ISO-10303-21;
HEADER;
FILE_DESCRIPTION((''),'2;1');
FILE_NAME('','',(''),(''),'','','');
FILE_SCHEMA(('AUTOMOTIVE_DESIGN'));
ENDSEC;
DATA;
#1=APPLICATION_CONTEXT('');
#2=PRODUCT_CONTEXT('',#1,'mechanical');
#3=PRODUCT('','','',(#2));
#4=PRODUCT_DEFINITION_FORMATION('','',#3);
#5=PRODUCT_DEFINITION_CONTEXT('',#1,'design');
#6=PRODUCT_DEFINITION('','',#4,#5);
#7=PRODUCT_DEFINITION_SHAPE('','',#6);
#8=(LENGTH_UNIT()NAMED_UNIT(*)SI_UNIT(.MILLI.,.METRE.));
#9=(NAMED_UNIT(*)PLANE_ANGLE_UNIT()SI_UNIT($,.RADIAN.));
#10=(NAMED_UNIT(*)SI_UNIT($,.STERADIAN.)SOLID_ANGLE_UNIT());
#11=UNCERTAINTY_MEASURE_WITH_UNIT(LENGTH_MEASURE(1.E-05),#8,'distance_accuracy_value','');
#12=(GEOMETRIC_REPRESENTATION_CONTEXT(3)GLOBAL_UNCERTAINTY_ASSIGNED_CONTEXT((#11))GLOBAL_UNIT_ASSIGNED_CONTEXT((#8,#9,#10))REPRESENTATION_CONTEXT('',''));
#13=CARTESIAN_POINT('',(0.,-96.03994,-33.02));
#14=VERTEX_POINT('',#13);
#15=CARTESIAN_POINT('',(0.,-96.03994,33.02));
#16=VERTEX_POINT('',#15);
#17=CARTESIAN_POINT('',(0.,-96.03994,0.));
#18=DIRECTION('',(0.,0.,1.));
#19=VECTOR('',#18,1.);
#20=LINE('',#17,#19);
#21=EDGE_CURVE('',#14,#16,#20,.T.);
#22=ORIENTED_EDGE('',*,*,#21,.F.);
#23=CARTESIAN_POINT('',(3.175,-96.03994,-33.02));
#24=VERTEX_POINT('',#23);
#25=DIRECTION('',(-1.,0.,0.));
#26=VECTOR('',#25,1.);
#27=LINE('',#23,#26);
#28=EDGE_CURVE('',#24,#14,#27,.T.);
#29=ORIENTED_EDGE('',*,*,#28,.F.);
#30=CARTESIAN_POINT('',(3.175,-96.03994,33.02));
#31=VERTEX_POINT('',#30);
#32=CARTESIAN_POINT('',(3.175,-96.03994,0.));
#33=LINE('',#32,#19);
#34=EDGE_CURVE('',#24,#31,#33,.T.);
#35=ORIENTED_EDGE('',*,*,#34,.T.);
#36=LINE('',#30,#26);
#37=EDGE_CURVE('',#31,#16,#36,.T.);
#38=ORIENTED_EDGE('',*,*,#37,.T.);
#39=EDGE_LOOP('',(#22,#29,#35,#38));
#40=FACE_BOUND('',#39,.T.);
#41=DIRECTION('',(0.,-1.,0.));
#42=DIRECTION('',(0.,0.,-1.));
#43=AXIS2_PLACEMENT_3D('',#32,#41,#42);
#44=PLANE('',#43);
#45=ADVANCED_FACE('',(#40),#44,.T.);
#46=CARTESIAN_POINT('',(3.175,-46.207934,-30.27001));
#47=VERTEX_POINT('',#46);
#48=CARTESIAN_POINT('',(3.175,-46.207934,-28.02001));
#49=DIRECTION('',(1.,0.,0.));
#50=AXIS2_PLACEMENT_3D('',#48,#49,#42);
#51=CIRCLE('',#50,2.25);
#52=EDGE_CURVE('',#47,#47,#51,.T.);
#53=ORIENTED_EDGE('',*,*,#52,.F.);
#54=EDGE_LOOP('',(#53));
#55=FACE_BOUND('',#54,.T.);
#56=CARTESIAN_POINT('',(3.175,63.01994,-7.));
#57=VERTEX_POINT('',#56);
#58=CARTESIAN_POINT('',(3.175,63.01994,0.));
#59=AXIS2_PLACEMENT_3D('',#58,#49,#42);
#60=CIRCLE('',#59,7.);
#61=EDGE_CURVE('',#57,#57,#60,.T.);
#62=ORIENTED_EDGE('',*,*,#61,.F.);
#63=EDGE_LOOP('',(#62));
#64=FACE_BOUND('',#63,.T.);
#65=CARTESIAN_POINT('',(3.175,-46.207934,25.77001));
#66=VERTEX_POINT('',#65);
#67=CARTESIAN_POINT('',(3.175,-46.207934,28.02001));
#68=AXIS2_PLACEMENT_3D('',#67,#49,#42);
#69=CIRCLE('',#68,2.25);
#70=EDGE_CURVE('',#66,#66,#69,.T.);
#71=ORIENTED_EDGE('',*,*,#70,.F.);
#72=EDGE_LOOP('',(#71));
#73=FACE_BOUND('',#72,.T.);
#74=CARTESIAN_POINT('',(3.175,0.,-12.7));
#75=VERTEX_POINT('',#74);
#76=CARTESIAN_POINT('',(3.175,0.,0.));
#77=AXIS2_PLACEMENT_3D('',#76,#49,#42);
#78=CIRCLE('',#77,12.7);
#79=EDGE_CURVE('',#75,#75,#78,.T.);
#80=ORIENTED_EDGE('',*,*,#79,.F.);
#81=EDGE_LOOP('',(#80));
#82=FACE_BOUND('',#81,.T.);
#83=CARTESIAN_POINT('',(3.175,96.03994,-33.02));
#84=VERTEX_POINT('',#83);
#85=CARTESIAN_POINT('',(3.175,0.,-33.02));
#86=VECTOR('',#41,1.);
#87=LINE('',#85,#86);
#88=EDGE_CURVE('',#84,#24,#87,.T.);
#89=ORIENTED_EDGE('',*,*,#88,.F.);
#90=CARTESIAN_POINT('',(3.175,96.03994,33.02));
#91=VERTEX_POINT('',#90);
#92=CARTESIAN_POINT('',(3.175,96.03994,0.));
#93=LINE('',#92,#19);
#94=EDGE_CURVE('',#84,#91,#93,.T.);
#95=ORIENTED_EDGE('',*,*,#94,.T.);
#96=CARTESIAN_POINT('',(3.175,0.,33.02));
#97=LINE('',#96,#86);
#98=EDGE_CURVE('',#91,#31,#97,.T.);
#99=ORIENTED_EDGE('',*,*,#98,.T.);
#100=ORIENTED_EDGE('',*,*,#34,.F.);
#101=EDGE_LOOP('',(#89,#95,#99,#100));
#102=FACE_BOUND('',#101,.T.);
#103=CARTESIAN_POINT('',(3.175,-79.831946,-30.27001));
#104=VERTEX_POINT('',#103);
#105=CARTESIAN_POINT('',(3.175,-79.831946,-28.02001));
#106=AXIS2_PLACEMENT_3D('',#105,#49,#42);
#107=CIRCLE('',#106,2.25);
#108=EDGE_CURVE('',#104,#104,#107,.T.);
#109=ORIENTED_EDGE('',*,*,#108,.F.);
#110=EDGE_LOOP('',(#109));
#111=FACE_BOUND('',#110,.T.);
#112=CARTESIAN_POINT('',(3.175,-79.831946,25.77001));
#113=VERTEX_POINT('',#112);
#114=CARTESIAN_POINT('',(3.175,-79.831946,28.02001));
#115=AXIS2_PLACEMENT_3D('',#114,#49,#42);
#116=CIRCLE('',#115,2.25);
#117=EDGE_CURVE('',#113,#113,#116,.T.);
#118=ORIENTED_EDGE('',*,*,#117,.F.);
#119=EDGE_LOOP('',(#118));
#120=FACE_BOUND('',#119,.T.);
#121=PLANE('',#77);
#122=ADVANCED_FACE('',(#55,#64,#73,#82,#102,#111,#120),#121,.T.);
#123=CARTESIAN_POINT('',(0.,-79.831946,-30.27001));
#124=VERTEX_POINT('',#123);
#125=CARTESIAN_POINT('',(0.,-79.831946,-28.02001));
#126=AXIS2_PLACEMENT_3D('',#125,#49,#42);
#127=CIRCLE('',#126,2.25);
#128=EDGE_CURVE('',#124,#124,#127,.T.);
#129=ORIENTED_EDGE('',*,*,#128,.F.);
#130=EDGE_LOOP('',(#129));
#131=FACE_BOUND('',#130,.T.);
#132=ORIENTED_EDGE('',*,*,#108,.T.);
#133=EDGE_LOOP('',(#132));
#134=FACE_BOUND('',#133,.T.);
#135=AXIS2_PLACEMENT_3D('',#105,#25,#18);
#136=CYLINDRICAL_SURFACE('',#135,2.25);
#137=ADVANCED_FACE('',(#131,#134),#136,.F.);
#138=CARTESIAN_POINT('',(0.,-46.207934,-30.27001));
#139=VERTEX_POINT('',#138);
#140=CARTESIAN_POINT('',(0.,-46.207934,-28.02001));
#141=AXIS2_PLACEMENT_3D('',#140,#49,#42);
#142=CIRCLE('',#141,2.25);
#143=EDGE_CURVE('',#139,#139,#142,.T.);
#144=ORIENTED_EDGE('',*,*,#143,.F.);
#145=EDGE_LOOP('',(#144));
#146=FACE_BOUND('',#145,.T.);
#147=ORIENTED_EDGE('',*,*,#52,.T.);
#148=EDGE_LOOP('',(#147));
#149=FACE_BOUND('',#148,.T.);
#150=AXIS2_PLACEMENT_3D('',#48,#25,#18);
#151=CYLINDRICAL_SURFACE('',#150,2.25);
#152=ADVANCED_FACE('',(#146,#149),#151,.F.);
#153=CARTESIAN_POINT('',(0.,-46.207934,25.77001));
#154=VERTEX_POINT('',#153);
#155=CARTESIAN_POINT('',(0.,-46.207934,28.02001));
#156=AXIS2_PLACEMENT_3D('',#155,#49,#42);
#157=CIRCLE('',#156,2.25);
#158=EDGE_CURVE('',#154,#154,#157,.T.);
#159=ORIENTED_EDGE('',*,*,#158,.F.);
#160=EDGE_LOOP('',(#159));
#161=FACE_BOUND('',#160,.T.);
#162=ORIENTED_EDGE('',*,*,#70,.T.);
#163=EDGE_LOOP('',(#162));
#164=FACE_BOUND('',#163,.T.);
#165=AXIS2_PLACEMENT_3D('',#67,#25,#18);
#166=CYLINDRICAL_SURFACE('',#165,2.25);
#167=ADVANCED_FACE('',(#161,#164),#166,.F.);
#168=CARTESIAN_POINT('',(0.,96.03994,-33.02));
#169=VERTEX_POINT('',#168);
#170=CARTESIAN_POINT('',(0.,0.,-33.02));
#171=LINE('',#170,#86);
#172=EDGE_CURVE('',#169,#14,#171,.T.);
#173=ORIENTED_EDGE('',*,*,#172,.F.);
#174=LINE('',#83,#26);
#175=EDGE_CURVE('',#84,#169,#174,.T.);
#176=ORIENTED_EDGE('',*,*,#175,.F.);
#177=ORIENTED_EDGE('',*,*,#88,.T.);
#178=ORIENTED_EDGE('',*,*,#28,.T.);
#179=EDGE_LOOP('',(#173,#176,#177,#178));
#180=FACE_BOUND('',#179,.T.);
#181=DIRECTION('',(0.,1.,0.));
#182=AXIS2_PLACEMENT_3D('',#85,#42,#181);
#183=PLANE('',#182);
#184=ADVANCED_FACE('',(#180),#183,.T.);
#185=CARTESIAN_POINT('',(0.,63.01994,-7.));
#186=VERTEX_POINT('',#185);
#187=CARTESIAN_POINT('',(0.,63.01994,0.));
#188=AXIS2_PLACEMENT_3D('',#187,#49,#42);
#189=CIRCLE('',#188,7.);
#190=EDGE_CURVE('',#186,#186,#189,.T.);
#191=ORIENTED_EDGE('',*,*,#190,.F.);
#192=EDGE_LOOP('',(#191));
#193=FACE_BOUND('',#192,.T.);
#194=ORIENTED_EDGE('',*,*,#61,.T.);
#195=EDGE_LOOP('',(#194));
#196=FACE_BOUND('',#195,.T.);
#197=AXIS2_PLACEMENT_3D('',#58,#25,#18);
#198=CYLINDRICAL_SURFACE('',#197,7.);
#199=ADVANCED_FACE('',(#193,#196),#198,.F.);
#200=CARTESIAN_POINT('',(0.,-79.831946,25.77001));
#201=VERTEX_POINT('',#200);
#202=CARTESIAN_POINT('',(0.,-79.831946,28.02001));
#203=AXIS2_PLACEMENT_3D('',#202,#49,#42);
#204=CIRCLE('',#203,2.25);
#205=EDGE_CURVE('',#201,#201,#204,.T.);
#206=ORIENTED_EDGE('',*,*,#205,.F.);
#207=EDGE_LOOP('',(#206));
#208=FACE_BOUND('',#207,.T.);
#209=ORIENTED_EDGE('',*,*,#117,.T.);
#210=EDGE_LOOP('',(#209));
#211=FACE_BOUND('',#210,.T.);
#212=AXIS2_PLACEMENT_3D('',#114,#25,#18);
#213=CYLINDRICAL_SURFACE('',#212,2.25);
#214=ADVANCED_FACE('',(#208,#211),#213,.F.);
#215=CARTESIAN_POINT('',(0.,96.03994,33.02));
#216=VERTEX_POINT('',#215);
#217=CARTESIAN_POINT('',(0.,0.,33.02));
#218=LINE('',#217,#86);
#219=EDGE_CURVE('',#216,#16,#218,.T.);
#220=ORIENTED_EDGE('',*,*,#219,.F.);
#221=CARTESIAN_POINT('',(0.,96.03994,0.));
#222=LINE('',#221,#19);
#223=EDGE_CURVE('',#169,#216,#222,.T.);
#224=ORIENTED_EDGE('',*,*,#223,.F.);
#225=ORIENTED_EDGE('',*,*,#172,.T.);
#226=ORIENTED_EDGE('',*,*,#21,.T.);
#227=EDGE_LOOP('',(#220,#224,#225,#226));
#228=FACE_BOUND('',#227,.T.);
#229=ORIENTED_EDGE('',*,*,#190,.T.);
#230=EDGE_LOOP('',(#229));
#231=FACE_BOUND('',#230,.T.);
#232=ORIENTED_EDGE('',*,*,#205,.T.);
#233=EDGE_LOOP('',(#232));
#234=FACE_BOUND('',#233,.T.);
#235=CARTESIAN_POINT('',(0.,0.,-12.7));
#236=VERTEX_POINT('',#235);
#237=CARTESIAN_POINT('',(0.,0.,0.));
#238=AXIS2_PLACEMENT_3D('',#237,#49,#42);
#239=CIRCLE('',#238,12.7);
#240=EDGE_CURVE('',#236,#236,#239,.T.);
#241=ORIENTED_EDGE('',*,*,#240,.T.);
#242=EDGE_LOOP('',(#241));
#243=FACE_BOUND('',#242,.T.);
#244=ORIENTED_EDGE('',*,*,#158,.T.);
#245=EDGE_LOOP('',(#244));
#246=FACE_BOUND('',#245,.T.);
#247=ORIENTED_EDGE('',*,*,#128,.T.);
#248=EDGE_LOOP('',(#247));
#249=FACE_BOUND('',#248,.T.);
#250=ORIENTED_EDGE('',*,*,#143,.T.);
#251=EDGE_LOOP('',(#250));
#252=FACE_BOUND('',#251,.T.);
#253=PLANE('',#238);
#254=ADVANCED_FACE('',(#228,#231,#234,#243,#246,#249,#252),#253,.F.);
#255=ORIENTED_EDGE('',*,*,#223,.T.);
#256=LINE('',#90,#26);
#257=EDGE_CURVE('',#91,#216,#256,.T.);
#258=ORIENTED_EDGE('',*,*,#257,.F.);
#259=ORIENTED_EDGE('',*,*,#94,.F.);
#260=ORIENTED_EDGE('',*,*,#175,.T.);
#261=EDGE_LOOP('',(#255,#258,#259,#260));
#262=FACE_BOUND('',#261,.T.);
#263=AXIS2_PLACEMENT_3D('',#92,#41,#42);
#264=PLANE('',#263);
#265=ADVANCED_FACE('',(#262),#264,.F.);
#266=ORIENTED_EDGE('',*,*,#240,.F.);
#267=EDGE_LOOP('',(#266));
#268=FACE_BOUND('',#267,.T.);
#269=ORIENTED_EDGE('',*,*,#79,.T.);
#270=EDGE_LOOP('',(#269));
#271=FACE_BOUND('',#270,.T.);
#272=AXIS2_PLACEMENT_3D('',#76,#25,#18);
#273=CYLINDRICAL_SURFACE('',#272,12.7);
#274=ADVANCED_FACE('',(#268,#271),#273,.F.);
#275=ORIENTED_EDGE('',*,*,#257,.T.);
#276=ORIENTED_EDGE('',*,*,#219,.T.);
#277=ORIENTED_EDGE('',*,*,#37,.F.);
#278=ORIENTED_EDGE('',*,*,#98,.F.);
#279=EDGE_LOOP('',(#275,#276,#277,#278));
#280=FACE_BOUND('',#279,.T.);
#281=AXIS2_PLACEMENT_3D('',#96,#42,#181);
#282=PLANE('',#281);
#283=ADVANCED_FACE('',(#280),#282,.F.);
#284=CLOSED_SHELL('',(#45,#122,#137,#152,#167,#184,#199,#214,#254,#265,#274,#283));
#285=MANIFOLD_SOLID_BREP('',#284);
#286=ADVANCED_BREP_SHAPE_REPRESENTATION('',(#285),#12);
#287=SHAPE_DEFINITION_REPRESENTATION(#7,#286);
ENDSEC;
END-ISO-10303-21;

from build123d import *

# Parameters (mm, degrees)
SKETCH1_W           = 192.07988
SKETCH1_H           = 66.04
SKETCH1_R           = 7
SKETCH1_R_2         = 12.7
SKETCH1_R_3         = 2.25
BOSS_EXTRUDE1_DEPTH = 3.175


with BuildPart() as part:
    # Sketch1 → Boss-Extrude1 (new body)
    with BuildSketch(Plane.YZ):
        Rectangle(SKETCH1_W, SKETCH1_H)
        with Locations(Location((63.01994, 0, 0), (0, 0, 270))):
            Circle(SKETCH1_R, mode=Mode.SUBTRACT)
        with Locations(Location((0, 0, 0), (0, 0, 270))):
            Circle(SKETCH1_R_2, mode=Mode.SUBTRACT)
        with Locations(Location((-79.831946, 28.02001, 0), (0, 0, 270))):
            Circle(SKETCH1_R_3, mode=Mode.SUBTRACT)
        with Locations(Location((-79.831946, -28.02001, 0), (0, 0, 270))):
            Circle(SKETCH1_R_3, mode=Mode.SUBTRACT)
        with Locations(Location((-46.207934, -28.02001, 0), (0, 0, 270))):
            Circle(SKETCH1_R_3, mode=Mode.SUBTRACT)
        with Locations(Location((-46.207934, 28.02001, 0), (0, 0, 270))):
            Circle(SKETCH1_R_3, mode=Mode.SUBTRACT)
    extrude(amount=BOSS_EXTRUDE1_DEPTH)


solid = part.part
